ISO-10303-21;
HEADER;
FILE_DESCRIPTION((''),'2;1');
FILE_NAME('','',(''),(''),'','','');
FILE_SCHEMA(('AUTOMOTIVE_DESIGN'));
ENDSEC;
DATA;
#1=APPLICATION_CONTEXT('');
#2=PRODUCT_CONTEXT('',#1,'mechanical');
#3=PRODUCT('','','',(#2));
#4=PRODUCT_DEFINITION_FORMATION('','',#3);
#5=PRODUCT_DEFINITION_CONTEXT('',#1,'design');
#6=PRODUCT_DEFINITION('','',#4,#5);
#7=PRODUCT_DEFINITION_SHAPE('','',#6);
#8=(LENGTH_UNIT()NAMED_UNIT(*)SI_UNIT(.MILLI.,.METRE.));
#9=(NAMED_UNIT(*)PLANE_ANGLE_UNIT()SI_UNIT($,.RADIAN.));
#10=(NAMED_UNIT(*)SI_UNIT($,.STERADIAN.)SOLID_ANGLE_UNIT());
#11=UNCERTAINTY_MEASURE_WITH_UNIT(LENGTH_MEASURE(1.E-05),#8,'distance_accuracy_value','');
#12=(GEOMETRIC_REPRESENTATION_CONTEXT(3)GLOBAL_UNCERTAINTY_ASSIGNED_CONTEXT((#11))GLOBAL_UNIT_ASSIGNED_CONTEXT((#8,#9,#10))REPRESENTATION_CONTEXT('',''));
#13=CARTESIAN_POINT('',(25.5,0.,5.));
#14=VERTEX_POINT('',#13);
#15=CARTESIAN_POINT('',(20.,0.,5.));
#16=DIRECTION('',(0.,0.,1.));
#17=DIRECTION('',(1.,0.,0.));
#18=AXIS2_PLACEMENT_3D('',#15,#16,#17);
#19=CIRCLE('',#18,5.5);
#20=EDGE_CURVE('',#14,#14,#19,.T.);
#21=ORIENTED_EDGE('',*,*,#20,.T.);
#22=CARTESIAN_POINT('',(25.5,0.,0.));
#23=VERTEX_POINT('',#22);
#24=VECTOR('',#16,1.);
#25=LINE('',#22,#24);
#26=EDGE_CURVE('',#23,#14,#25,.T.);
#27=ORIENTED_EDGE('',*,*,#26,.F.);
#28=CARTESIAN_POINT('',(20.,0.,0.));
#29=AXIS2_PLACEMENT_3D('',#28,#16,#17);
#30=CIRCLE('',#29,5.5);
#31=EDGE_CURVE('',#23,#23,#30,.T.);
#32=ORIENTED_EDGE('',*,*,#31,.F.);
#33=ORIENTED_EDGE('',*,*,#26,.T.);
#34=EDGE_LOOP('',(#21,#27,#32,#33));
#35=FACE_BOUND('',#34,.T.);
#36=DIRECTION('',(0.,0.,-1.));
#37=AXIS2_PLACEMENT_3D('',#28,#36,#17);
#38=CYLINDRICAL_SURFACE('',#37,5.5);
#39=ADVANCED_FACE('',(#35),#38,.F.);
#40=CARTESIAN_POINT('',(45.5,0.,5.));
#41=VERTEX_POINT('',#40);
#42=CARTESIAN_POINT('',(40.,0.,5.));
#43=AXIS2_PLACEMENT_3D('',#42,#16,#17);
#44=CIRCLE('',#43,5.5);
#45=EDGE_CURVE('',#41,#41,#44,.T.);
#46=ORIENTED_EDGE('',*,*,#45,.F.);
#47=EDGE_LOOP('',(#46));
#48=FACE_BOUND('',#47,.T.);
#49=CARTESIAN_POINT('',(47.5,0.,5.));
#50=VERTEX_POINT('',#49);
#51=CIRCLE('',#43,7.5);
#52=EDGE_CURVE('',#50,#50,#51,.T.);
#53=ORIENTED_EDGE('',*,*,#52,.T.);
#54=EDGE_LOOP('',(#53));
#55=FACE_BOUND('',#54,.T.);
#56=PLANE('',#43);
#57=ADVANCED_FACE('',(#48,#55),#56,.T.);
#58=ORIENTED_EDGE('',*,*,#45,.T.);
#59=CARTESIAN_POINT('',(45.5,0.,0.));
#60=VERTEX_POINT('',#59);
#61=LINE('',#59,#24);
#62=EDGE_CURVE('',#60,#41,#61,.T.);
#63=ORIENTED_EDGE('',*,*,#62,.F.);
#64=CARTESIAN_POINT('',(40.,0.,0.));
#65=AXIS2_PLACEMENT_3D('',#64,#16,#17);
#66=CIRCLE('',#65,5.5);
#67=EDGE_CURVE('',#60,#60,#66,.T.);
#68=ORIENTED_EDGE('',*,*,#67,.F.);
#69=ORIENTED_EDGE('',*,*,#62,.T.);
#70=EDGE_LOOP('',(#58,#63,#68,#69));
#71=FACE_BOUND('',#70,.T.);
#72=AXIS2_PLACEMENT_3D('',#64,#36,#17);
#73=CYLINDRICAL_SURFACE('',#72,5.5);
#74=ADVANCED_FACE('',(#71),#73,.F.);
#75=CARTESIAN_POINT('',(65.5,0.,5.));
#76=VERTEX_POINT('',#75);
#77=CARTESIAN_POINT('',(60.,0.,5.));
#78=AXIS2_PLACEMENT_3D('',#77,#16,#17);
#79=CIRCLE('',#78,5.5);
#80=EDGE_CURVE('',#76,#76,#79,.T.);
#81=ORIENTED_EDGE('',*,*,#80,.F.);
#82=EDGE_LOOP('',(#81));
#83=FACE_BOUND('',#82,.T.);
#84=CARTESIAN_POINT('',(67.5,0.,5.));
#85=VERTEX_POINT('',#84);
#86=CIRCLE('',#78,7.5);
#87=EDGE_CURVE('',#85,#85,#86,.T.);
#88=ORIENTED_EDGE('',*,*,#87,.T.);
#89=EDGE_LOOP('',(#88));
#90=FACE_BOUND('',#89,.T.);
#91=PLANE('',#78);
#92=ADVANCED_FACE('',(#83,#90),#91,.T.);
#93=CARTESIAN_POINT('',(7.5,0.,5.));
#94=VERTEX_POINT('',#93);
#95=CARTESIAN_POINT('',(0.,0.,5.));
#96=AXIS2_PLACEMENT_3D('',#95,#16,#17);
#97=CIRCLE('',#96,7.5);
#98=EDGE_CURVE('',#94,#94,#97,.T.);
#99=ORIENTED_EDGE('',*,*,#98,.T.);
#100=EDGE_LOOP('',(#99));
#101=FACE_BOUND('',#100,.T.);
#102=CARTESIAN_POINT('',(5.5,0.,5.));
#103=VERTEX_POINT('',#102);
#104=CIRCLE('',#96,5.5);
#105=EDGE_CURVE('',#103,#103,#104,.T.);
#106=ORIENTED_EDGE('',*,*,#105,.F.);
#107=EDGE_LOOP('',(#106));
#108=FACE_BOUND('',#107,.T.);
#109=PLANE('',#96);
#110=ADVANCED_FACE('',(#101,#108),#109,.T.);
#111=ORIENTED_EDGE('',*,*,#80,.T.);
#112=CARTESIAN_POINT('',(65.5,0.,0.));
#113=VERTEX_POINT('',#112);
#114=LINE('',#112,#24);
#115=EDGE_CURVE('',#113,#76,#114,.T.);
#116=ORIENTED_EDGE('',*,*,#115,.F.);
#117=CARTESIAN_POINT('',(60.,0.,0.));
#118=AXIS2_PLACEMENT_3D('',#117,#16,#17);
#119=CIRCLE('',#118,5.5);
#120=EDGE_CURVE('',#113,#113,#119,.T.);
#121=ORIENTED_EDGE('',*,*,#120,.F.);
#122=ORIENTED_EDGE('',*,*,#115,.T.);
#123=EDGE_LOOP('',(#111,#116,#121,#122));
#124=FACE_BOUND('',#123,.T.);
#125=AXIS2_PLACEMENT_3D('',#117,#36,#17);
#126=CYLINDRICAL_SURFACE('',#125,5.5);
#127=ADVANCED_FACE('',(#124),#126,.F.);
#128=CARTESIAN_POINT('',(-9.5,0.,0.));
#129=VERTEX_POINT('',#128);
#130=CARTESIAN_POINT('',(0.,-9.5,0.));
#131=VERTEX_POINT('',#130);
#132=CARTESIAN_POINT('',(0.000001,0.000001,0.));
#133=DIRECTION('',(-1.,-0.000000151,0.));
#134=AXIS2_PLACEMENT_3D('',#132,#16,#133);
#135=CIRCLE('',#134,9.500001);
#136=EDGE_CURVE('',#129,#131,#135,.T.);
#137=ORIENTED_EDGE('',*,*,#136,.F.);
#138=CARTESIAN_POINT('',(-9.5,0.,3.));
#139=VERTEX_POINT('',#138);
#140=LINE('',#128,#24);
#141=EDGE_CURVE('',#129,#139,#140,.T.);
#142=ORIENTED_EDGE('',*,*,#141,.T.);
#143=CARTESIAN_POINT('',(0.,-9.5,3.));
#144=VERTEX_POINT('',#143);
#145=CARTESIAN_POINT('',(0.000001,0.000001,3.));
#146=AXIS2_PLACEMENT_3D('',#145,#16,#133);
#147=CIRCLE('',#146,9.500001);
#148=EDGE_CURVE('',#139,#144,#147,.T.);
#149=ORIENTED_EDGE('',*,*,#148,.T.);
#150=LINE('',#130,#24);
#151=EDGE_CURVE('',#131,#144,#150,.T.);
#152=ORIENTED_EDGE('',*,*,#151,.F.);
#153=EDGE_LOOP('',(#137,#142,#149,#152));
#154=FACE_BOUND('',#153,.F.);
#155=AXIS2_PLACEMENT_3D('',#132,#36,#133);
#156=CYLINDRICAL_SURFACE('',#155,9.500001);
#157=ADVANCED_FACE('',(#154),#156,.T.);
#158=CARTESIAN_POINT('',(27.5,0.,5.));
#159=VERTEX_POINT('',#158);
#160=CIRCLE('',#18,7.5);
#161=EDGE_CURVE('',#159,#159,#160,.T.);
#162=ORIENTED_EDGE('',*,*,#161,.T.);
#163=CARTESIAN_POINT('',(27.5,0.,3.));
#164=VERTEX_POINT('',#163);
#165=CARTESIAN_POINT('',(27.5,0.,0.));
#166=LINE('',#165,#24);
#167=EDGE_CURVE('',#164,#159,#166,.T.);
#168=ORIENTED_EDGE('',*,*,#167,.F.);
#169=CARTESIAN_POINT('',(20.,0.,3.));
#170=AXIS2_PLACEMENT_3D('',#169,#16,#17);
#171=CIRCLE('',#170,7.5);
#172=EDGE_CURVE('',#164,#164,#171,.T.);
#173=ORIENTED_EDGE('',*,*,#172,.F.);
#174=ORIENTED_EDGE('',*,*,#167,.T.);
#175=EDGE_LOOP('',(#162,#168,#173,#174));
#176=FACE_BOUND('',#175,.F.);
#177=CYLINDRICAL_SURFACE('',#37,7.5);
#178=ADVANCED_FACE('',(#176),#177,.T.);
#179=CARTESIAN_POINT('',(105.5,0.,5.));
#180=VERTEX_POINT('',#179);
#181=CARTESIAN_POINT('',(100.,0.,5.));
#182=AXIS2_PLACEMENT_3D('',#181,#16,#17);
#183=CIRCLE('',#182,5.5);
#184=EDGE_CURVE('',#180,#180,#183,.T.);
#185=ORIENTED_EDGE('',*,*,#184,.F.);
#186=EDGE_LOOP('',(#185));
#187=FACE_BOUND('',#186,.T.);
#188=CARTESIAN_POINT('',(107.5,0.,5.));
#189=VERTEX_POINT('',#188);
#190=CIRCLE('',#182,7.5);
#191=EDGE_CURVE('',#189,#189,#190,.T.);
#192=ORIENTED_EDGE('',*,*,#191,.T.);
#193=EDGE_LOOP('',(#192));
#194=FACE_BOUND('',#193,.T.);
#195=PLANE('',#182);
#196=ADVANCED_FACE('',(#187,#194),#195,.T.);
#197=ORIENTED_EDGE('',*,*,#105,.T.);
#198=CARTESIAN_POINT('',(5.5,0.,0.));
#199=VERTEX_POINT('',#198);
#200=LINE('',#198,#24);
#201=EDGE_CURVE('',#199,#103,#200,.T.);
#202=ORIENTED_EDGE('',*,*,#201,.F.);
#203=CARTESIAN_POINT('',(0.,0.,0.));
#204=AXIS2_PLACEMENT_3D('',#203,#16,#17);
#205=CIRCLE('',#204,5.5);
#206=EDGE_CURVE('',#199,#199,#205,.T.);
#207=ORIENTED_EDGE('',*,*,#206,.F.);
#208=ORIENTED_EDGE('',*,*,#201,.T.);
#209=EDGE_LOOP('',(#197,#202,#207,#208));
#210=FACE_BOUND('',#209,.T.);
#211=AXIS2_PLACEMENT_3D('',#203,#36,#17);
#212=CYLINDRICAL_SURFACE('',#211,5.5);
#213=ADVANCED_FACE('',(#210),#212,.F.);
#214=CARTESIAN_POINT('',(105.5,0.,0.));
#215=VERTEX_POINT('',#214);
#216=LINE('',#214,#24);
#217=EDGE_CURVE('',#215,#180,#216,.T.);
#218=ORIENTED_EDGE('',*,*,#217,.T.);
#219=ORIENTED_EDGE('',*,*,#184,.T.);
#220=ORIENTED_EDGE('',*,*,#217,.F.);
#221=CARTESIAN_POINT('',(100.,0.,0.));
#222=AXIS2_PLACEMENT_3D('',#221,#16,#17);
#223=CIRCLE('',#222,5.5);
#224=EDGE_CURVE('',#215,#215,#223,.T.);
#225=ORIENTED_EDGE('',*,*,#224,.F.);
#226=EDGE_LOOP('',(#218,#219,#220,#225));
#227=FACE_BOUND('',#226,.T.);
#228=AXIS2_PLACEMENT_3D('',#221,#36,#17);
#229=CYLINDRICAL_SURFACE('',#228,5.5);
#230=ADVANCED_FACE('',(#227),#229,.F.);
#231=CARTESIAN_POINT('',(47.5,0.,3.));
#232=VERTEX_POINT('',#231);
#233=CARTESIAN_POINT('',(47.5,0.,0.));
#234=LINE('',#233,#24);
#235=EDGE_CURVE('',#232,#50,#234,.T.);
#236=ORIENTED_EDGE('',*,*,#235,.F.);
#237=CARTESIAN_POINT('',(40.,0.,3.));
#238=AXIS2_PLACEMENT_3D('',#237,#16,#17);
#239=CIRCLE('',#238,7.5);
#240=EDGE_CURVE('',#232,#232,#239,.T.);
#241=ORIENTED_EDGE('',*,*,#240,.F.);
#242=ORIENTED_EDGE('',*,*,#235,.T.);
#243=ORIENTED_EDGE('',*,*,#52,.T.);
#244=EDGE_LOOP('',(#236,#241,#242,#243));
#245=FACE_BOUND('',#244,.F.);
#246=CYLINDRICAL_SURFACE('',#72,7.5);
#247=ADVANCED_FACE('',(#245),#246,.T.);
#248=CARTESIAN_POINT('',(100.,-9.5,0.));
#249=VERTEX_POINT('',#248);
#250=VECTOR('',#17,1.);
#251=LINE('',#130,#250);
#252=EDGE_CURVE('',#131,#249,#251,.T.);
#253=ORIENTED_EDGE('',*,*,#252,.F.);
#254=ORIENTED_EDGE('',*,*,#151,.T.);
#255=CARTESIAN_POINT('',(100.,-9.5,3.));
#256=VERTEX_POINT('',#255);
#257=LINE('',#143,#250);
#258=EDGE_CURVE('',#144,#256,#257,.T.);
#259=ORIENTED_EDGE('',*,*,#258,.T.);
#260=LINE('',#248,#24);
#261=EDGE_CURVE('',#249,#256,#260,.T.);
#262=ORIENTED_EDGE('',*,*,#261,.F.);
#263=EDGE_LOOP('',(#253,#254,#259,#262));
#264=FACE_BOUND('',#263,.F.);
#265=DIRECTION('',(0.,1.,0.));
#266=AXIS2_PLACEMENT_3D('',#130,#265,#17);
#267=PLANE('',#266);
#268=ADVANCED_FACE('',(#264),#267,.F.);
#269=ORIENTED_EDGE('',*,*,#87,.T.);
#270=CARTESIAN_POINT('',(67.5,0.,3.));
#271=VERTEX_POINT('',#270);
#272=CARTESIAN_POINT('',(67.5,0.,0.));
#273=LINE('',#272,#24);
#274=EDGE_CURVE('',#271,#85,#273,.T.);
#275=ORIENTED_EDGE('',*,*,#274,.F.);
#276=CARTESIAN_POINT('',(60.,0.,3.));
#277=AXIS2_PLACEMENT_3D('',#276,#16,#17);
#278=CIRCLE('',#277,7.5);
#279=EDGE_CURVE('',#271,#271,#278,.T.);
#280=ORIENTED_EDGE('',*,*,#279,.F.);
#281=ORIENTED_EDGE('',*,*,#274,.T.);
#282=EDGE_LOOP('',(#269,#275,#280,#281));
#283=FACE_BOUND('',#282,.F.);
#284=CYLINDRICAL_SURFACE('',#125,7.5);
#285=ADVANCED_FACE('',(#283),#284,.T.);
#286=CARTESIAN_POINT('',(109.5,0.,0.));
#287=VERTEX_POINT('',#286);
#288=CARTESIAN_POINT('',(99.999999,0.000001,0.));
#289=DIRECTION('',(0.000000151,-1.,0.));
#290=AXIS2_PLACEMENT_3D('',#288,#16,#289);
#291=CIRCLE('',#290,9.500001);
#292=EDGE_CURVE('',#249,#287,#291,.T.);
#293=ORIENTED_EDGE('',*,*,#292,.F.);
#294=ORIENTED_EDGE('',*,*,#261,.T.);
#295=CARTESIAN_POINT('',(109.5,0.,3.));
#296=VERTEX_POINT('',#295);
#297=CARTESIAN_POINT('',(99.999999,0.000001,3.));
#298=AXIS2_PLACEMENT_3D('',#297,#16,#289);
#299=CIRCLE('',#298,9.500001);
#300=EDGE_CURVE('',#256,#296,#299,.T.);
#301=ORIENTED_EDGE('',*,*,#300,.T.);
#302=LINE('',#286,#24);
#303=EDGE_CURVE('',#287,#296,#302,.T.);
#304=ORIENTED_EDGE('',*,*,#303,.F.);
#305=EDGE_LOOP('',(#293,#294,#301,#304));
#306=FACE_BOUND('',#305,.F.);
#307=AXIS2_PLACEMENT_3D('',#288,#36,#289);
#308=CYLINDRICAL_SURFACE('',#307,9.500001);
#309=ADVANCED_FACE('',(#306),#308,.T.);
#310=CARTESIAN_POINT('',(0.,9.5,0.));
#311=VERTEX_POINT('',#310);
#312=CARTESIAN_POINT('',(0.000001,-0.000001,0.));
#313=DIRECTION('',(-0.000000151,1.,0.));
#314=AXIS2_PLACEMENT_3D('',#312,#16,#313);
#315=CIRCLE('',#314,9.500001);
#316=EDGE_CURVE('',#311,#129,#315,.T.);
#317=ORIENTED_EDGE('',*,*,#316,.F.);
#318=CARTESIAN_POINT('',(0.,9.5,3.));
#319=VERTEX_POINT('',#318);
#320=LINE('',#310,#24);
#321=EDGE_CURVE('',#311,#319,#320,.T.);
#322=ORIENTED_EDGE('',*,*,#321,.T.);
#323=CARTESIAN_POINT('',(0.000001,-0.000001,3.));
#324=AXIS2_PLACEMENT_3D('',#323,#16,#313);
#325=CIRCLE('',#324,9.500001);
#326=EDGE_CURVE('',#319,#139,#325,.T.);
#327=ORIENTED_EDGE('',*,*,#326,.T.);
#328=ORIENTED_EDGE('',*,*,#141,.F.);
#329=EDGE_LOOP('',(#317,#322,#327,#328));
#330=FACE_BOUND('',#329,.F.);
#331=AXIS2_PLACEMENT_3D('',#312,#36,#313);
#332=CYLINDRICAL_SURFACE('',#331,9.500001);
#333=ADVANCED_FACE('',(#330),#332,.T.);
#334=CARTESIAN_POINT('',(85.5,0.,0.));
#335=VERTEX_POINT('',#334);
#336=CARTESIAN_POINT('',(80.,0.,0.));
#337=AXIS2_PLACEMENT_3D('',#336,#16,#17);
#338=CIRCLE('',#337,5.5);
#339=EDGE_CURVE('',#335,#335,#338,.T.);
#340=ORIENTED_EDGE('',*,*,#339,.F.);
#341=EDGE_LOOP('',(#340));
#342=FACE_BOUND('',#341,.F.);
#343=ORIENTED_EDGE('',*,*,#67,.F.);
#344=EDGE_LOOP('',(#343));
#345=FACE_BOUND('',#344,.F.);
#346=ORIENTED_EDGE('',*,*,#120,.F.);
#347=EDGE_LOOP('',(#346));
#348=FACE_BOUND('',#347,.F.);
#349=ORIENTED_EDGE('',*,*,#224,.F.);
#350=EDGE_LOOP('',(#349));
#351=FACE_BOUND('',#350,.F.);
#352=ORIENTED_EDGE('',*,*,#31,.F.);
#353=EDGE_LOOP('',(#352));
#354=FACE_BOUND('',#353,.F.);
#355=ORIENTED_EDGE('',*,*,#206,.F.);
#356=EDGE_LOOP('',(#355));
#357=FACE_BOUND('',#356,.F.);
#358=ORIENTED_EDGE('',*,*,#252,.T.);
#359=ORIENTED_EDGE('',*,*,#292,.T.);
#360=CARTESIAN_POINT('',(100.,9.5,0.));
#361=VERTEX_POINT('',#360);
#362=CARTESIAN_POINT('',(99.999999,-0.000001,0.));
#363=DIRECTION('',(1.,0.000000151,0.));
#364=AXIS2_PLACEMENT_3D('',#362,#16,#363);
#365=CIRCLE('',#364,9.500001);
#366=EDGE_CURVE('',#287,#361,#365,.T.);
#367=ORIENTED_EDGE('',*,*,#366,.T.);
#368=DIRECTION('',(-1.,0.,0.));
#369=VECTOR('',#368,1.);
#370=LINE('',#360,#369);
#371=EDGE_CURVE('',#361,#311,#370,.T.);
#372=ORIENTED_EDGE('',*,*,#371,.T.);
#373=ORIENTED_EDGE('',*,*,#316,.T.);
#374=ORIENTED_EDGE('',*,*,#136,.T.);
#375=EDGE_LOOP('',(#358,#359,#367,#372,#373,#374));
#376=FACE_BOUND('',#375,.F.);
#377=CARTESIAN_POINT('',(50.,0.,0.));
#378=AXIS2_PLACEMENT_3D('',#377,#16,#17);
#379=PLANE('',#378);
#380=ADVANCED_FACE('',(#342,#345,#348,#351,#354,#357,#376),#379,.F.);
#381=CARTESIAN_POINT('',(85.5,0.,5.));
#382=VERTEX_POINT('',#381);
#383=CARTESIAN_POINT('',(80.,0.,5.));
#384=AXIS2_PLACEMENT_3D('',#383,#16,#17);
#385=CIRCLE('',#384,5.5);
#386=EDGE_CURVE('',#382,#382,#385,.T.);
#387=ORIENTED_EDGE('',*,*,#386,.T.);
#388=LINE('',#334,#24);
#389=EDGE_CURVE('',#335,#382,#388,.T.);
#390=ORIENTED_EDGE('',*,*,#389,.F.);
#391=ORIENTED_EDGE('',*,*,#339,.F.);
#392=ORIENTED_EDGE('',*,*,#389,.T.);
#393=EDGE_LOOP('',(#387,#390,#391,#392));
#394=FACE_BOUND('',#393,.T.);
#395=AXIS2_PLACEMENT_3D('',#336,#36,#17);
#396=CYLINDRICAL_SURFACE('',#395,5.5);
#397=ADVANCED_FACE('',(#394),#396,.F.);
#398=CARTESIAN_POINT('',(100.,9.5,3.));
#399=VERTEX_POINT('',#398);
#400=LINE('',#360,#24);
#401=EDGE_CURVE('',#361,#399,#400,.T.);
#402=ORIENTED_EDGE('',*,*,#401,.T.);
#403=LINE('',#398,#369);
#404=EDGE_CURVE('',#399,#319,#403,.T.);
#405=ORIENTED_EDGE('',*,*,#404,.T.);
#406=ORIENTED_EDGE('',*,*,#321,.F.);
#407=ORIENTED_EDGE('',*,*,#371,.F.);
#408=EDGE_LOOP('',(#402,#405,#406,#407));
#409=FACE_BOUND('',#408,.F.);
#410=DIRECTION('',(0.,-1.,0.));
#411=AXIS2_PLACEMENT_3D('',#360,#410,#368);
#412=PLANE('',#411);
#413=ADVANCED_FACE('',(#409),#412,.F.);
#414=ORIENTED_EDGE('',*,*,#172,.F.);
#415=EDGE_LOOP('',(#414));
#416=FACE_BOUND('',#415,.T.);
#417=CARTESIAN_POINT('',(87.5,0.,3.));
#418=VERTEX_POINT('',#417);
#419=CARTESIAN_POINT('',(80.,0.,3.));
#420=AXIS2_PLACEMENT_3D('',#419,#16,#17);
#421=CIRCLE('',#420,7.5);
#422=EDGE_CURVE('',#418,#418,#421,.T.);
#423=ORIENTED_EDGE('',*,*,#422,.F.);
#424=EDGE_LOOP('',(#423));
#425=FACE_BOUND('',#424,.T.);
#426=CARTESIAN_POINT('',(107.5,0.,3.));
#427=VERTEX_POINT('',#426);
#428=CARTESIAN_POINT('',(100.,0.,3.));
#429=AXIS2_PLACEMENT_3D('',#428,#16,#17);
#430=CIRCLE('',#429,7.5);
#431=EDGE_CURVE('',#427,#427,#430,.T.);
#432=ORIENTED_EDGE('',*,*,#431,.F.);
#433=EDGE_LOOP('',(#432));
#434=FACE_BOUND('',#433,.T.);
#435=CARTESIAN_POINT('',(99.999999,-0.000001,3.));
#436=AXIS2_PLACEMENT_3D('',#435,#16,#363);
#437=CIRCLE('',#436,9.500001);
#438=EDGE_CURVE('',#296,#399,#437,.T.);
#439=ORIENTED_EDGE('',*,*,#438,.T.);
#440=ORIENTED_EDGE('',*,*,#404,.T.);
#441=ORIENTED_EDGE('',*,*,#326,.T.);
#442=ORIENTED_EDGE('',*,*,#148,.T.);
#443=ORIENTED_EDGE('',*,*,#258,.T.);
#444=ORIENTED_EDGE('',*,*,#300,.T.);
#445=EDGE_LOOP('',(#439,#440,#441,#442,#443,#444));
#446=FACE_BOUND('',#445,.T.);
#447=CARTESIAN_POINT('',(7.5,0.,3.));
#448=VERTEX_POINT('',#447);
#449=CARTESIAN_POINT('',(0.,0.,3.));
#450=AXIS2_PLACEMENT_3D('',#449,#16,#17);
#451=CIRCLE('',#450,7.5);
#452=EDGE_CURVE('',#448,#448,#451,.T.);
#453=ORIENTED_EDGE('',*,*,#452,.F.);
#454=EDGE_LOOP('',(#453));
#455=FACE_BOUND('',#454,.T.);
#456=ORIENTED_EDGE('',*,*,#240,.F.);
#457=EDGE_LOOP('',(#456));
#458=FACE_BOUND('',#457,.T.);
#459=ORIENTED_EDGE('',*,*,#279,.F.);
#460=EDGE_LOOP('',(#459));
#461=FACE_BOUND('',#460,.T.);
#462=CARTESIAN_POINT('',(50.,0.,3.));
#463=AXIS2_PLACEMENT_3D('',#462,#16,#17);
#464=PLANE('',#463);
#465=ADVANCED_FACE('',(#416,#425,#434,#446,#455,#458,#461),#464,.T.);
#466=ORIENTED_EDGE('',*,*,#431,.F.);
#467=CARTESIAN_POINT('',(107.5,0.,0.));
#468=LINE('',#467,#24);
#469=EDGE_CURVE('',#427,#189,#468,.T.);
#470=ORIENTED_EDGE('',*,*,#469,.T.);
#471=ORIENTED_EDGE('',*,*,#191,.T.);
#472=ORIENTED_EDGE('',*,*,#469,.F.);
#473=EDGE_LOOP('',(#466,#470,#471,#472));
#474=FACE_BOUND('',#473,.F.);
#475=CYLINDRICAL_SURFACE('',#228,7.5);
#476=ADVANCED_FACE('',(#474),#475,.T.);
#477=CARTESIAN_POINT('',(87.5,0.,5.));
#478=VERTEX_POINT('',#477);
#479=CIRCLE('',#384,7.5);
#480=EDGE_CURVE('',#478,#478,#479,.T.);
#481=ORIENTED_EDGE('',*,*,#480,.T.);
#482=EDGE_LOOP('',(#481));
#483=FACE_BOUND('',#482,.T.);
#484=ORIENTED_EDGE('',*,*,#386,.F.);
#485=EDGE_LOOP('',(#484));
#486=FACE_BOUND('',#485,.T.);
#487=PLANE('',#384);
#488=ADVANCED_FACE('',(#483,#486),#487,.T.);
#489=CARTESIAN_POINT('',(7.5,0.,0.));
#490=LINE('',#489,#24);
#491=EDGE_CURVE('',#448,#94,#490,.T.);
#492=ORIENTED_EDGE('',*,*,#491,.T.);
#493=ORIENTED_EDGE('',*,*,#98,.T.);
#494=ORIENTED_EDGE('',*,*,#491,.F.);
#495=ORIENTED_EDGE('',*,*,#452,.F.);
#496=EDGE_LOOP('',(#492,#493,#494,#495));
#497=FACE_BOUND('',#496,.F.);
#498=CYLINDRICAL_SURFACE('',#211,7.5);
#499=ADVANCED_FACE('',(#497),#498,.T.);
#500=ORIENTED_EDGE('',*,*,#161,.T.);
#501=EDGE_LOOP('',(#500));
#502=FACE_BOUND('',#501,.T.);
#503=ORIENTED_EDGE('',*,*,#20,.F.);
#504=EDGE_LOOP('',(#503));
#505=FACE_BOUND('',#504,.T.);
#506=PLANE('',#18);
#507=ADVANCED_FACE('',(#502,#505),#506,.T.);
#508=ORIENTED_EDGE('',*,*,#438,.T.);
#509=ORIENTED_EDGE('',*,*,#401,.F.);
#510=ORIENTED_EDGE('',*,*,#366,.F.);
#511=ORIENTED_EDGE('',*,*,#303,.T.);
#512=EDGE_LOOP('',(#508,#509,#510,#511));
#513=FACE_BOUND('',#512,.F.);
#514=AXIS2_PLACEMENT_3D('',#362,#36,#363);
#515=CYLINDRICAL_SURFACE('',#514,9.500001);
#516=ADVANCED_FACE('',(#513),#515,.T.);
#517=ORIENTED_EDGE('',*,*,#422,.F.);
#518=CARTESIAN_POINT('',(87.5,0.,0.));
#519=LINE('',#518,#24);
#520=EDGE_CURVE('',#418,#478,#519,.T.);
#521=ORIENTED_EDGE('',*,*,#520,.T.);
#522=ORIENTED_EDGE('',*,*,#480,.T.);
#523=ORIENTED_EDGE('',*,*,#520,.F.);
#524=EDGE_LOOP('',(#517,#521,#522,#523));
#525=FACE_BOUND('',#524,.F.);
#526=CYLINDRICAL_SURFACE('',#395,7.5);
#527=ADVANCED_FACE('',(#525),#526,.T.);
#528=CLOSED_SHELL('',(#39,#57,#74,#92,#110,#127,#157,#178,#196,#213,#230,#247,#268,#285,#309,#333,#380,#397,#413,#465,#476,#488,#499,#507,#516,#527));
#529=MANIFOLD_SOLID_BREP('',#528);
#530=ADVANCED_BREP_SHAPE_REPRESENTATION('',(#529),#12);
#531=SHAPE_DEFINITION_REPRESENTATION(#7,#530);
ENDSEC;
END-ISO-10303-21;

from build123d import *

# Parameters (mm, degrees)
F0_R     = 7.5
F1_DEPTH = 3
F0_R_2   = 5.5
F2_DEPTH = 5
F3_ANGLE = 270


with BuildPart() as f1:
    # F0 (on Top) → F1 (new body)
    with BuildSketch(Plane.XY):
        with BuildLine():
            Line((100, 9.5), (0, 9.5))
            ThreePointArc((0, 9.5), (-6.717514, 6.717514), (-9.5, 0))
            ThreePointArc((-9.5, 0), (-6.717514, -6.717514), (0, -9.5))
            Line((0, -9.5), (100, -9.5))
            ThreePointArc((100, -9.5), (106.717514, -6.717514), (109.5, 0))
            ThreePointArc((109.5, 0), (106.717514, 6.717514), (100, 9.5))
        make_face()
        Circle(F0_R, mode=Mode.SUBTRACT)
        with Locations((20, 0)):
            Circle(F0_R, mode=Mode.SUBTRACT)
        with Locations((40, 0)):
            Circle(F0_R, mode=Mode.SUBTRACT)
        with Locations((60, 0)):
            Circle(F0_R, mode=Mode.SUBTRACT)
        with Locations((80, 0)):
            Circle(F0_R, mode=Mode.SUBTRACT)
        with Locations((100, 0)):
            Circle(F0_R, mode=Mode.SUBTRACT)
    extrude(amount=F1_DEPTH)

    # F0 (on Top) → F2 (join)
    with BuildSketch(Plane.XY):
        Circle(F0_R)
        Circle(F0_R_2, mode=Mode.SUBTRACT)
        with Locations((20, 0)):
            Circle(F0_R)
        with Locations((20, 0)):
            Circle(F0_R_2, mode=Mode.SUBTRACT)
        with Locations((40, 0)):
            Circle(F0_R)
        with Locations((40, 0)):
            Circle(F0_R_2, mode=Mode.SUBTRACT)
        with Locations((60, 0)):
            Circle(F0_R)
        with Locations((60, 0)):
            Circle(F0_R_2, mode=Mode.SUBTRACT)
        with Locations((80, 0)):
            Circle(F0_R)
        with Locations((80, 0)):
            Circle(F0_R_2, mode=Mode.SUBTRACT)
        with Locations((100, 0)):
            Circle(F0_R)
        with Locations((100, 0)):
            Circle(F0_R_2, mode=Mode.SUBTRACT)
    extrude(amount=F2_DEPTH)


with BuildPart() as f3_1:
    # F3: copy of F1
    add(f1.part.rotate(Axis((0, 0, 0), (0, 0, -1)), F3_ANGLE))


with BuildPart() as f3_1_1:
    # F4: moved
    add(f3_1.part.moved(Location((20, 0, 0))))


solid = f1.part
